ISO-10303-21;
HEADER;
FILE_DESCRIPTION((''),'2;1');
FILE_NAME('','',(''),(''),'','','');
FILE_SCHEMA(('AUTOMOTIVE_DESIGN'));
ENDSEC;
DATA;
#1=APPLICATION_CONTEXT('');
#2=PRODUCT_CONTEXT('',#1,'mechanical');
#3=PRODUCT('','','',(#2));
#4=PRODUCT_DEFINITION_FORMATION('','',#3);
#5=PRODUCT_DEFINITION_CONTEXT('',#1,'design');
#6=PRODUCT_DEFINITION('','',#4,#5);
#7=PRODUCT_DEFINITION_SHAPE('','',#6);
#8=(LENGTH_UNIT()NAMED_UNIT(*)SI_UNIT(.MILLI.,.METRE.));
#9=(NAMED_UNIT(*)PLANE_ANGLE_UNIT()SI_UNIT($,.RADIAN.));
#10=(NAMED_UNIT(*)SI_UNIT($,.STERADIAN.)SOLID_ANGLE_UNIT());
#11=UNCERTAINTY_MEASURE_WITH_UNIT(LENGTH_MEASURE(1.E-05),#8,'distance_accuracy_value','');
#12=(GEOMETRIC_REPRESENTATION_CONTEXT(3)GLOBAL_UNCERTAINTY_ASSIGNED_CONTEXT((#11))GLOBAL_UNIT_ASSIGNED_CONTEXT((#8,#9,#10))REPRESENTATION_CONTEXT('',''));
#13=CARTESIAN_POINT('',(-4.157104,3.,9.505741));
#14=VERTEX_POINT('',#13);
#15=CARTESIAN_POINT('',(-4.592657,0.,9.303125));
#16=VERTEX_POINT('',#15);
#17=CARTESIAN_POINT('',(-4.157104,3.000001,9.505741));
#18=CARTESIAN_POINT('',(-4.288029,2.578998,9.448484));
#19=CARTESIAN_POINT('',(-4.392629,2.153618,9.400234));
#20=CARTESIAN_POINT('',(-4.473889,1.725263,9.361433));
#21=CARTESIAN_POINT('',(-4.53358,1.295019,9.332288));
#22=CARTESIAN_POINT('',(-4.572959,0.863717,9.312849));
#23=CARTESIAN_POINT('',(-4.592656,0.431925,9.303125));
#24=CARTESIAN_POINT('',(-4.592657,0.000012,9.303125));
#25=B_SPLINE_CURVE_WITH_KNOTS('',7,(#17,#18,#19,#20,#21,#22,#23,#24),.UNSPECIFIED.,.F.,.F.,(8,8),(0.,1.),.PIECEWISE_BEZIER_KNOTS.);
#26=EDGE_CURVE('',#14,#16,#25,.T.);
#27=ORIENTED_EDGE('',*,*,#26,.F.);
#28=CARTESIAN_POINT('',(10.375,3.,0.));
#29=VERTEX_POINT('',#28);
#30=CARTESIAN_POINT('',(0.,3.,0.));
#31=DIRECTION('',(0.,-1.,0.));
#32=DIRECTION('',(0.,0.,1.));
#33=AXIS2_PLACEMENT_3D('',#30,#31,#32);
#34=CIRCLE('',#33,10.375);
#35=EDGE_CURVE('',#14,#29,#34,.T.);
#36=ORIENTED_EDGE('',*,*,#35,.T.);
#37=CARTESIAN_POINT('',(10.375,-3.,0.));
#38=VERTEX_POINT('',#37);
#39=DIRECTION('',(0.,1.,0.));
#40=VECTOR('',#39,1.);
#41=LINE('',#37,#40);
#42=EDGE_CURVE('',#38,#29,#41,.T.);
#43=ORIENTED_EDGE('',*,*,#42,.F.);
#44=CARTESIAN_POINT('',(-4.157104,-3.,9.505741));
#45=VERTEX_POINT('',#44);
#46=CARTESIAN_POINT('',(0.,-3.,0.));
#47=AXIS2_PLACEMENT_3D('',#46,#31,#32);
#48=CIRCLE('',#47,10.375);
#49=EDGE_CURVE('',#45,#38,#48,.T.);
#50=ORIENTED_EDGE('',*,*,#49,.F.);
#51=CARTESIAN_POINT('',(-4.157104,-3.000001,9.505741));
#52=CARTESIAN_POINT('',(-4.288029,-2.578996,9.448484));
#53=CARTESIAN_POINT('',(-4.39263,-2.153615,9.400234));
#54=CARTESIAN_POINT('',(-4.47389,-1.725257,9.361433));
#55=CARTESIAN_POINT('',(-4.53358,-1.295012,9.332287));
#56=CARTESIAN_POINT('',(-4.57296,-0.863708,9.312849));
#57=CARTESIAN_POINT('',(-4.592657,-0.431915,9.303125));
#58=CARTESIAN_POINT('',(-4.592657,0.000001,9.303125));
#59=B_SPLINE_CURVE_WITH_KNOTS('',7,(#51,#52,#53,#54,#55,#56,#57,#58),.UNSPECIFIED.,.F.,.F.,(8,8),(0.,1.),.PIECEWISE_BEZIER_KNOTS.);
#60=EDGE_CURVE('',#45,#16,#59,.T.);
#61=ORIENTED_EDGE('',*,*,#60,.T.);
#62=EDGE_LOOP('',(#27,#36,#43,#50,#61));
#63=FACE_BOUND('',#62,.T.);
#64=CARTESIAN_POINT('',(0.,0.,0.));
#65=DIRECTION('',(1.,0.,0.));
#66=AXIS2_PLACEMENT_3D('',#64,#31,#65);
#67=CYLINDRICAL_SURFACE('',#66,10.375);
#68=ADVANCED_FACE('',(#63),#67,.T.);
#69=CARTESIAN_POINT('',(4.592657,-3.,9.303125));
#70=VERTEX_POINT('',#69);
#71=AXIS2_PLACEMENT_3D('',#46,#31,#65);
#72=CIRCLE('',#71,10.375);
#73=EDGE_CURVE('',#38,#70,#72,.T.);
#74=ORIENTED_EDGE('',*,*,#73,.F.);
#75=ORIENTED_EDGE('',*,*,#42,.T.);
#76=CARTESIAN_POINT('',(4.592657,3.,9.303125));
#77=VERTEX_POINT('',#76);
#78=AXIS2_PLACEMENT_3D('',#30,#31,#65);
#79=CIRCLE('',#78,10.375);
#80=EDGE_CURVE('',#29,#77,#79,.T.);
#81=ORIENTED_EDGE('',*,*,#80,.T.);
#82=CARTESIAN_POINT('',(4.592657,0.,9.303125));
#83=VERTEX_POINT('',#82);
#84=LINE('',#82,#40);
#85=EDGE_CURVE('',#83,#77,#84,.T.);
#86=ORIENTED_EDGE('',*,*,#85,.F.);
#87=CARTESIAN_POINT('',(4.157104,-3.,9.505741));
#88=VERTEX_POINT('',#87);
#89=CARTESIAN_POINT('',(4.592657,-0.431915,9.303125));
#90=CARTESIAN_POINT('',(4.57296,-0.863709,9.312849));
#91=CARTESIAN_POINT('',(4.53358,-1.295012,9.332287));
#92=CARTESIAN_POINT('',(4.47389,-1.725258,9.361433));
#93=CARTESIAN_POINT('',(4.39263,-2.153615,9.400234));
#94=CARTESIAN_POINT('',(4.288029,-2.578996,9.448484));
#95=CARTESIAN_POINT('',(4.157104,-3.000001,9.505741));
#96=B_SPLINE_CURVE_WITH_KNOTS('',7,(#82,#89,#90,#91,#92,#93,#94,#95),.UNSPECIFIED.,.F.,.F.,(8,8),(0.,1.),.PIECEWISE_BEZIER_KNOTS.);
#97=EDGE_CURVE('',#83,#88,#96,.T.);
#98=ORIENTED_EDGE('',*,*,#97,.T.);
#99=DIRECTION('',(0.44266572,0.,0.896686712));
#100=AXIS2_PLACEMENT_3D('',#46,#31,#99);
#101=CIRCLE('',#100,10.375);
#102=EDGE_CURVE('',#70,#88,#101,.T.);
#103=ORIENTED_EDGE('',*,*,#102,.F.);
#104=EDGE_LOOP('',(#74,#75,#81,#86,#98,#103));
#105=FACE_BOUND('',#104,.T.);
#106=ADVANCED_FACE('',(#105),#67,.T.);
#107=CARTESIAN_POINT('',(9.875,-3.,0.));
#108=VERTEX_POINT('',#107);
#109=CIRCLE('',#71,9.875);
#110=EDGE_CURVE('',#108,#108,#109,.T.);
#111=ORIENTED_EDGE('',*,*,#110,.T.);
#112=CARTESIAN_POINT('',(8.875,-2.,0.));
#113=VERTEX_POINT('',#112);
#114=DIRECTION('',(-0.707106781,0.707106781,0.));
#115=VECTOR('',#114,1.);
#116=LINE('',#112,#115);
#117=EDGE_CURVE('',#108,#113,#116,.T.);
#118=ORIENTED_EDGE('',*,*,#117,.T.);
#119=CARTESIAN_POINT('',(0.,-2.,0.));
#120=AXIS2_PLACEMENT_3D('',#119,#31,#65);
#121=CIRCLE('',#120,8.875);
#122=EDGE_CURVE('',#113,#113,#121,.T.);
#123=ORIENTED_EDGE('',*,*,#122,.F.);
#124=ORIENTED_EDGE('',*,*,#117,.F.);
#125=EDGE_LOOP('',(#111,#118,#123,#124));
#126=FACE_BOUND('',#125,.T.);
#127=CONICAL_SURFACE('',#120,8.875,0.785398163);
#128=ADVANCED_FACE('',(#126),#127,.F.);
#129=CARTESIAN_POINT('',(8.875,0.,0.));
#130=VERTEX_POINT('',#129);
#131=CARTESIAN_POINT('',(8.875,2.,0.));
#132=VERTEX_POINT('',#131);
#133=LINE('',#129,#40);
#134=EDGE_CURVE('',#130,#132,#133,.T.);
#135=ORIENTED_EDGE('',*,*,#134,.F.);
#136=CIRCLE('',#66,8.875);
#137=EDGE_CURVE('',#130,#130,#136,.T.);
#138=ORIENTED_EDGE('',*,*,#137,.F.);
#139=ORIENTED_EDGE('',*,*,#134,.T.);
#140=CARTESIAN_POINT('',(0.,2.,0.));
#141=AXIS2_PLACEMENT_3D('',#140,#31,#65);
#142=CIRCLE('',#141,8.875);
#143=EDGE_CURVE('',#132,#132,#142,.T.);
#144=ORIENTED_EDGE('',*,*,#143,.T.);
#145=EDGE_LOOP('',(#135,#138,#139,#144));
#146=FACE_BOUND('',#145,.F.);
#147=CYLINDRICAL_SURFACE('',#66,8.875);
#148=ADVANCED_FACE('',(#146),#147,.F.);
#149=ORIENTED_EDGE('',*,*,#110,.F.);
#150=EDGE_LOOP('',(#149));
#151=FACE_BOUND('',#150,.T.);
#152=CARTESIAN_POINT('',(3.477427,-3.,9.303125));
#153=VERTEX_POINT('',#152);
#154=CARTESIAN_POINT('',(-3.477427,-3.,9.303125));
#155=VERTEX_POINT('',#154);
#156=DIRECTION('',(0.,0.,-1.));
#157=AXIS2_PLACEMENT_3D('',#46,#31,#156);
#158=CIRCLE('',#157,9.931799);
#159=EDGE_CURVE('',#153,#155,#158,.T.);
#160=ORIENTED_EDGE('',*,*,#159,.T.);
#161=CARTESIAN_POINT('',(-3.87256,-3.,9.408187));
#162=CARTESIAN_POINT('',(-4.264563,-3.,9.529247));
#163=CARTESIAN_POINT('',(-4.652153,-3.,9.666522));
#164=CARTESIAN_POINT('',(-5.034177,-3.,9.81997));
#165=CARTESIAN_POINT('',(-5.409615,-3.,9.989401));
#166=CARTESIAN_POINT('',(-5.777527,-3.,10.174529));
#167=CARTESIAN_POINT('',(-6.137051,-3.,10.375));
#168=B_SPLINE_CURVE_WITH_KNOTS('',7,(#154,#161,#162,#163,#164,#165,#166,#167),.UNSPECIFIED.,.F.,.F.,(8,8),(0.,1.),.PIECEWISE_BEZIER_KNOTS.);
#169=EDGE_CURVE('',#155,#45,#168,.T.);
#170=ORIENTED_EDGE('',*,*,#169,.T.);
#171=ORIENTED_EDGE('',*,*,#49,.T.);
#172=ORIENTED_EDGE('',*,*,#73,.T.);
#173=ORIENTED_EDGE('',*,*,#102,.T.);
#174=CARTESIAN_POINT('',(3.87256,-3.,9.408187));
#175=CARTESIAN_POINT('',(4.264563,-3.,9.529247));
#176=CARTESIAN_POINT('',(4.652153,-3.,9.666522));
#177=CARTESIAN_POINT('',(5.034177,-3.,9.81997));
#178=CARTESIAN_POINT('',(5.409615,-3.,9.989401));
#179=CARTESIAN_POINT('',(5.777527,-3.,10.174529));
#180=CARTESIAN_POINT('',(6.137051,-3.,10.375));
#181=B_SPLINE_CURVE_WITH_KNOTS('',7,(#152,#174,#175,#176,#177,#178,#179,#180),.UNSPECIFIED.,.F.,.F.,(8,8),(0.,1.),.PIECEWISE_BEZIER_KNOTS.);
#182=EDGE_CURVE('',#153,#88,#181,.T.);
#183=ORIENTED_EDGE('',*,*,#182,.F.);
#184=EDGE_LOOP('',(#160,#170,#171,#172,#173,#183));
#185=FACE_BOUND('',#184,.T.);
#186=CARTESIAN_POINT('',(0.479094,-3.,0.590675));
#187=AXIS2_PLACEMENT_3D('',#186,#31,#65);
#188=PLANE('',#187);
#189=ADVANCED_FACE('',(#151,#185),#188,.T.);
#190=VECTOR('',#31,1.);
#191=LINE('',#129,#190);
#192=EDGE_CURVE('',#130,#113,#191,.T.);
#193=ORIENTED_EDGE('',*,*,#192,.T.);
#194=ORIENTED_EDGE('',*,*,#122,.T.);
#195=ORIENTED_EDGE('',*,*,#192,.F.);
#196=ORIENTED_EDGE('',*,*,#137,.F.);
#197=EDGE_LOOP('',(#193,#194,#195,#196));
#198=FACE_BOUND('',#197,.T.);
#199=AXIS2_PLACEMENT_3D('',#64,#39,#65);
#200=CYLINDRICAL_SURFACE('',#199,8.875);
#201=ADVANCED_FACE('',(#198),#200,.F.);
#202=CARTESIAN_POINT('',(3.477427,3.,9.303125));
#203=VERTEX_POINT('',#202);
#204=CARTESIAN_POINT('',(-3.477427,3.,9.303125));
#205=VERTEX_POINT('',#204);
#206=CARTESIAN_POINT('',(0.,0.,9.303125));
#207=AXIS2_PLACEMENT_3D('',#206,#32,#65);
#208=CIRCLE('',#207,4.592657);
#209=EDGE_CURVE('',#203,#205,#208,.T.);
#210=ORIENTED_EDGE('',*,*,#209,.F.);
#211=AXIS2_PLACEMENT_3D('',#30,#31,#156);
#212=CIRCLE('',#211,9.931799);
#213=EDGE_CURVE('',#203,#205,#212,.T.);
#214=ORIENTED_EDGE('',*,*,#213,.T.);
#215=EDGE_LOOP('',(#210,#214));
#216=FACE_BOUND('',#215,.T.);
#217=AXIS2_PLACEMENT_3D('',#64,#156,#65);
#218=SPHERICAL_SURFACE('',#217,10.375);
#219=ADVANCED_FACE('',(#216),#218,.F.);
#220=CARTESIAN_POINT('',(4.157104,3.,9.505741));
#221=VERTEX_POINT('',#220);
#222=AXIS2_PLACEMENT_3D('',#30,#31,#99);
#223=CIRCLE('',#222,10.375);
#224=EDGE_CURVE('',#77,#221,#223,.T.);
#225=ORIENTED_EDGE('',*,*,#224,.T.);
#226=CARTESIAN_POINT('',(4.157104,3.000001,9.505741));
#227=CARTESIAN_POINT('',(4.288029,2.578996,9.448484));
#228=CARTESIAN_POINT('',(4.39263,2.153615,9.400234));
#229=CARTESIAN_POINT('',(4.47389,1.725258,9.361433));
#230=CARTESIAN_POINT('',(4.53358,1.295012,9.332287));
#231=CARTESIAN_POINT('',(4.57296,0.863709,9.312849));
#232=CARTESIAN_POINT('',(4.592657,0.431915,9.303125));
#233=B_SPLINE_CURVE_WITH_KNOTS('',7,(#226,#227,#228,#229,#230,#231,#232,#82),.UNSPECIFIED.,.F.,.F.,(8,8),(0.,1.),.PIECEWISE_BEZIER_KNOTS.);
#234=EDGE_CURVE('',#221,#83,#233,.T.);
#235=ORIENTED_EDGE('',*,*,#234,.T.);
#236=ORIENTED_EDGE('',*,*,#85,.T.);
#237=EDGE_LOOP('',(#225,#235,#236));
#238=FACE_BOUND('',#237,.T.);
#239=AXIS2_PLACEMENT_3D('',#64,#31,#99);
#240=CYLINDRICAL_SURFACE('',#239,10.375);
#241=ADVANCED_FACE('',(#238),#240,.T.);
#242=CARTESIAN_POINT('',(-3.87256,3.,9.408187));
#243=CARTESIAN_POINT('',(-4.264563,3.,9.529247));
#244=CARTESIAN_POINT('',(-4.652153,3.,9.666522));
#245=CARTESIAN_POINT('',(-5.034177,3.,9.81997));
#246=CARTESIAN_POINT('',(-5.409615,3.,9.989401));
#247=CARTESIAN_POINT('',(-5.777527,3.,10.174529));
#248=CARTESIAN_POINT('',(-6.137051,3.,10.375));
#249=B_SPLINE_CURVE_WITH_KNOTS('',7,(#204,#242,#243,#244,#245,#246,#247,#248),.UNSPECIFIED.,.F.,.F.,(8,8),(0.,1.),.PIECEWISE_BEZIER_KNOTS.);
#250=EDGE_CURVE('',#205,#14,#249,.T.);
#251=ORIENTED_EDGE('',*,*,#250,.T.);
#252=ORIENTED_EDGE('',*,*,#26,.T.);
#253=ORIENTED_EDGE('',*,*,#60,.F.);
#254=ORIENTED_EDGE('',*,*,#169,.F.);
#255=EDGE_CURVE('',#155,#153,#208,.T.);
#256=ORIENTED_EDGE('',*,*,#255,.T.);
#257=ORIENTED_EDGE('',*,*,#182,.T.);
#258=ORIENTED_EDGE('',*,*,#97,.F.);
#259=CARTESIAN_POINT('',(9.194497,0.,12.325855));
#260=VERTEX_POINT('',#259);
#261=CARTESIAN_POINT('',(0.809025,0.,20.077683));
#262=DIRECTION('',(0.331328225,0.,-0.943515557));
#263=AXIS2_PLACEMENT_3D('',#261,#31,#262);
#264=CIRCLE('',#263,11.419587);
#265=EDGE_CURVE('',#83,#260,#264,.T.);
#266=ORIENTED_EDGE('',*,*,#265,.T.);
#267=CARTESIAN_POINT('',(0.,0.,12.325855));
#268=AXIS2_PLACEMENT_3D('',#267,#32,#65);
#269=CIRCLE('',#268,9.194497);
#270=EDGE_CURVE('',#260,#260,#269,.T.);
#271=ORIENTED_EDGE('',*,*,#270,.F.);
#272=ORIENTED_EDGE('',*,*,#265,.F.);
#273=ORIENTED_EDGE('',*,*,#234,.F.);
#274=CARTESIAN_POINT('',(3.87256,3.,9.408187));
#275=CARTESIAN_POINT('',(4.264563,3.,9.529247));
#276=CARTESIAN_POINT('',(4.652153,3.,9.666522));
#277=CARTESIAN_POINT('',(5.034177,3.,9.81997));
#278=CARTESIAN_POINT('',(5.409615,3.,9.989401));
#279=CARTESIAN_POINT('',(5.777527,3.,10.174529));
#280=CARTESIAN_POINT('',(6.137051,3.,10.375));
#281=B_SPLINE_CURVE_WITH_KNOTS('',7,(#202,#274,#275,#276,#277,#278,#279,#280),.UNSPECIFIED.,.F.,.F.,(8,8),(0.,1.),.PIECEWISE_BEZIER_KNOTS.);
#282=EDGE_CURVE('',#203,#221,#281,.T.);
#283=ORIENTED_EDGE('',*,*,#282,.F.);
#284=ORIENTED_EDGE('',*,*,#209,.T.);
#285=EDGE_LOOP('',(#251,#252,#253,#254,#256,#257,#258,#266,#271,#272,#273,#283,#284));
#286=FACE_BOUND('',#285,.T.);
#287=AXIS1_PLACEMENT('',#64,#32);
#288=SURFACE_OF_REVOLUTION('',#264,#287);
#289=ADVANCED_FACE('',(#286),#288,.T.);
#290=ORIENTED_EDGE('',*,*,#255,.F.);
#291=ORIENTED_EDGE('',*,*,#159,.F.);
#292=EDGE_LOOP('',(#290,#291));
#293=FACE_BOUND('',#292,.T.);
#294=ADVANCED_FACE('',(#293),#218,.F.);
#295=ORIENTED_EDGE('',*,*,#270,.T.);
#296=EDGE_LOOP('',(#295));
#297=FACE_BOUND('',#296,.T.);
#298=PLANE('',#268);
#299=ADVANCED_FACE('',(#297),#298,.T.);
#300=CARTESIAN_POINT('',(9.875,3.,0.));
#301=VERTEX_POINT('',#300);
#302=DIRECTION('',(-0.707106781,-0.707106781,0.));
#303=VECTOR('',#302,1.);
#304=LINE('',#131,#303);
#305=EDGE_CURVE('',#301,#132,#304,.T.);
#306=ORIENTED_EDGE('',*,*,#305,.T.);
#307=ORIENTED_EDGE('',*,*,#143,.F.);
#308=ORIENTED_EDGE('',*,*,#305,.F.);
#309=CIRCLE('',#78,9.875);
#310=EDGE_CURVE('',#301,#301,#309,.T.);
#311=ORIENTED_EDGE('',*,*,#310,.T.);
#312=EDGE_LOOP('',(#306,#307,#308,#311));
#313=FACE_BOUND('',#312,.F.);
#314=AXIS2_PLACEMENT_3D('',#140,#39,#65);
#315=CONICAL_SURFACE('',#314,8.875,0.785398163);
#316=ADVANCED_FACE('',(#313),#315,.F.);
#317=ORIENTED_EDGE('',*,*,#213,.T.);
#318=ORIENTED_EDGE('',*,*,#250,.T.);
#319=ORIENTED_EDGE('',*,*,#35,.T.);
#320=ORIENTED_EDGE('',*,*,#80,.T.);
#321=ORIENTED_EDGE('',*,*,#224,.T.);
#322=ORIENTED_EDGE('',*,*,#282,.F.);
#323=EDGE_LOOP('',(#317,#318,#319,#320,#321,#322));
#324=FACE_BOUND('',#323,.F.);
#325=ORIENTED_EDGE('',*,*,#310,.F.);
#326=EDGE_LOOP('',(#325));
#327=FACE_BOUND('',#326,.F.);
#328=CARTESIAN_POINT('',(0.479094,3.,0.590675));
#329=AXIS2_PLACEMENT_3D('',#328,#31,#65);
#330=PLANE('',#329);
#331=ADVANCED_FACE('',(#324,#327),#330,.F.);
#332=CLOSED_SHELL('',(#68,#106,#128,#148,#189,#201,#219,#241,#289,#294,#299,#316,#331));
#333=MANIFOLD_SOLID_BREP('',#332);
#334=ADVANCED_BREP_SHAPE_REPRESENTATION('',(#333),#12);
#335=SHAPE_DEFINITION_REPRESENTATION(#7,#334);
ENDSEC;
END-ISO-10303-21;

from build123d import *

# Parameters (mm, degrees)
F0_R          = 8.875
F3_DEPTH      = 3
F3_DEPTH_BACK = 3
F4_SIZE       = 1


with BuildPart() as f2:
    # F0 (on Front) → F2 (revolve)
    with BuildSketch(Plane.XZ):
        with BuildLine():
            ThreePointArc((0, 10.375), (2.3580401671, 10.1034781917), (4.5926568488, 9.3031246401))
            ThreePointArc((4.5926568488, 9.3031246401), (7.0784745003, 10.5329995788), (9.1944970191, 12.325854972))
            Line((9.1944970191, 12.325854972), (0, 12.325854972))
            Line((0, 12.325854972), (0, 10.375))
        make_face()
    revolve(axis=Axis((0, 0, 0), (0, 0, 1)))

    # F0 (on Front) → F3 (join, two sides)
    with BuildSketch(Plane.XZ) as f3_sk:
        with BuildLine():
            ThreePointArc((0, 10.375), (-7.3362328548, -7.3362328548), (10.375, 0))
            ThreePointArc((10.375, 0), (8.8116241354, 5.4768517505), (4.5926568488, 9.3031246401))
            Line((4.5926568488, 9.3031246401), (0, 9.3031246401))
            Line((0, 9.3031246401), (0, 10.375))
        make_face()
        Circle(F0_R, mode=Mode.SUBTRACT)
        with BuildLine():
            Line((0, 9.3031246401), (4.5926568488, 9.3031246401))
            ThreePointArc((4.5926568488, 9.3031246401), (2.3580401671, 10.1034781917), (0, 10.375))
            Line((0, 10.375), (0, 9.3031246401))
        make_face()
    extrude(amount=F3_DEPTH)
    extrude(f3_sk.sketch, amount=-F3_DEPTH_BACK)

    # F4
    f4_edges = [f2.edges().sort_by_distance(p)[0] for p in [
        (-8.875, -3, 0),
        (-8.875, 3, 0),
    ]]
    chamfer(f4_edges, length=F4_SIZE)


solid = f2.part
